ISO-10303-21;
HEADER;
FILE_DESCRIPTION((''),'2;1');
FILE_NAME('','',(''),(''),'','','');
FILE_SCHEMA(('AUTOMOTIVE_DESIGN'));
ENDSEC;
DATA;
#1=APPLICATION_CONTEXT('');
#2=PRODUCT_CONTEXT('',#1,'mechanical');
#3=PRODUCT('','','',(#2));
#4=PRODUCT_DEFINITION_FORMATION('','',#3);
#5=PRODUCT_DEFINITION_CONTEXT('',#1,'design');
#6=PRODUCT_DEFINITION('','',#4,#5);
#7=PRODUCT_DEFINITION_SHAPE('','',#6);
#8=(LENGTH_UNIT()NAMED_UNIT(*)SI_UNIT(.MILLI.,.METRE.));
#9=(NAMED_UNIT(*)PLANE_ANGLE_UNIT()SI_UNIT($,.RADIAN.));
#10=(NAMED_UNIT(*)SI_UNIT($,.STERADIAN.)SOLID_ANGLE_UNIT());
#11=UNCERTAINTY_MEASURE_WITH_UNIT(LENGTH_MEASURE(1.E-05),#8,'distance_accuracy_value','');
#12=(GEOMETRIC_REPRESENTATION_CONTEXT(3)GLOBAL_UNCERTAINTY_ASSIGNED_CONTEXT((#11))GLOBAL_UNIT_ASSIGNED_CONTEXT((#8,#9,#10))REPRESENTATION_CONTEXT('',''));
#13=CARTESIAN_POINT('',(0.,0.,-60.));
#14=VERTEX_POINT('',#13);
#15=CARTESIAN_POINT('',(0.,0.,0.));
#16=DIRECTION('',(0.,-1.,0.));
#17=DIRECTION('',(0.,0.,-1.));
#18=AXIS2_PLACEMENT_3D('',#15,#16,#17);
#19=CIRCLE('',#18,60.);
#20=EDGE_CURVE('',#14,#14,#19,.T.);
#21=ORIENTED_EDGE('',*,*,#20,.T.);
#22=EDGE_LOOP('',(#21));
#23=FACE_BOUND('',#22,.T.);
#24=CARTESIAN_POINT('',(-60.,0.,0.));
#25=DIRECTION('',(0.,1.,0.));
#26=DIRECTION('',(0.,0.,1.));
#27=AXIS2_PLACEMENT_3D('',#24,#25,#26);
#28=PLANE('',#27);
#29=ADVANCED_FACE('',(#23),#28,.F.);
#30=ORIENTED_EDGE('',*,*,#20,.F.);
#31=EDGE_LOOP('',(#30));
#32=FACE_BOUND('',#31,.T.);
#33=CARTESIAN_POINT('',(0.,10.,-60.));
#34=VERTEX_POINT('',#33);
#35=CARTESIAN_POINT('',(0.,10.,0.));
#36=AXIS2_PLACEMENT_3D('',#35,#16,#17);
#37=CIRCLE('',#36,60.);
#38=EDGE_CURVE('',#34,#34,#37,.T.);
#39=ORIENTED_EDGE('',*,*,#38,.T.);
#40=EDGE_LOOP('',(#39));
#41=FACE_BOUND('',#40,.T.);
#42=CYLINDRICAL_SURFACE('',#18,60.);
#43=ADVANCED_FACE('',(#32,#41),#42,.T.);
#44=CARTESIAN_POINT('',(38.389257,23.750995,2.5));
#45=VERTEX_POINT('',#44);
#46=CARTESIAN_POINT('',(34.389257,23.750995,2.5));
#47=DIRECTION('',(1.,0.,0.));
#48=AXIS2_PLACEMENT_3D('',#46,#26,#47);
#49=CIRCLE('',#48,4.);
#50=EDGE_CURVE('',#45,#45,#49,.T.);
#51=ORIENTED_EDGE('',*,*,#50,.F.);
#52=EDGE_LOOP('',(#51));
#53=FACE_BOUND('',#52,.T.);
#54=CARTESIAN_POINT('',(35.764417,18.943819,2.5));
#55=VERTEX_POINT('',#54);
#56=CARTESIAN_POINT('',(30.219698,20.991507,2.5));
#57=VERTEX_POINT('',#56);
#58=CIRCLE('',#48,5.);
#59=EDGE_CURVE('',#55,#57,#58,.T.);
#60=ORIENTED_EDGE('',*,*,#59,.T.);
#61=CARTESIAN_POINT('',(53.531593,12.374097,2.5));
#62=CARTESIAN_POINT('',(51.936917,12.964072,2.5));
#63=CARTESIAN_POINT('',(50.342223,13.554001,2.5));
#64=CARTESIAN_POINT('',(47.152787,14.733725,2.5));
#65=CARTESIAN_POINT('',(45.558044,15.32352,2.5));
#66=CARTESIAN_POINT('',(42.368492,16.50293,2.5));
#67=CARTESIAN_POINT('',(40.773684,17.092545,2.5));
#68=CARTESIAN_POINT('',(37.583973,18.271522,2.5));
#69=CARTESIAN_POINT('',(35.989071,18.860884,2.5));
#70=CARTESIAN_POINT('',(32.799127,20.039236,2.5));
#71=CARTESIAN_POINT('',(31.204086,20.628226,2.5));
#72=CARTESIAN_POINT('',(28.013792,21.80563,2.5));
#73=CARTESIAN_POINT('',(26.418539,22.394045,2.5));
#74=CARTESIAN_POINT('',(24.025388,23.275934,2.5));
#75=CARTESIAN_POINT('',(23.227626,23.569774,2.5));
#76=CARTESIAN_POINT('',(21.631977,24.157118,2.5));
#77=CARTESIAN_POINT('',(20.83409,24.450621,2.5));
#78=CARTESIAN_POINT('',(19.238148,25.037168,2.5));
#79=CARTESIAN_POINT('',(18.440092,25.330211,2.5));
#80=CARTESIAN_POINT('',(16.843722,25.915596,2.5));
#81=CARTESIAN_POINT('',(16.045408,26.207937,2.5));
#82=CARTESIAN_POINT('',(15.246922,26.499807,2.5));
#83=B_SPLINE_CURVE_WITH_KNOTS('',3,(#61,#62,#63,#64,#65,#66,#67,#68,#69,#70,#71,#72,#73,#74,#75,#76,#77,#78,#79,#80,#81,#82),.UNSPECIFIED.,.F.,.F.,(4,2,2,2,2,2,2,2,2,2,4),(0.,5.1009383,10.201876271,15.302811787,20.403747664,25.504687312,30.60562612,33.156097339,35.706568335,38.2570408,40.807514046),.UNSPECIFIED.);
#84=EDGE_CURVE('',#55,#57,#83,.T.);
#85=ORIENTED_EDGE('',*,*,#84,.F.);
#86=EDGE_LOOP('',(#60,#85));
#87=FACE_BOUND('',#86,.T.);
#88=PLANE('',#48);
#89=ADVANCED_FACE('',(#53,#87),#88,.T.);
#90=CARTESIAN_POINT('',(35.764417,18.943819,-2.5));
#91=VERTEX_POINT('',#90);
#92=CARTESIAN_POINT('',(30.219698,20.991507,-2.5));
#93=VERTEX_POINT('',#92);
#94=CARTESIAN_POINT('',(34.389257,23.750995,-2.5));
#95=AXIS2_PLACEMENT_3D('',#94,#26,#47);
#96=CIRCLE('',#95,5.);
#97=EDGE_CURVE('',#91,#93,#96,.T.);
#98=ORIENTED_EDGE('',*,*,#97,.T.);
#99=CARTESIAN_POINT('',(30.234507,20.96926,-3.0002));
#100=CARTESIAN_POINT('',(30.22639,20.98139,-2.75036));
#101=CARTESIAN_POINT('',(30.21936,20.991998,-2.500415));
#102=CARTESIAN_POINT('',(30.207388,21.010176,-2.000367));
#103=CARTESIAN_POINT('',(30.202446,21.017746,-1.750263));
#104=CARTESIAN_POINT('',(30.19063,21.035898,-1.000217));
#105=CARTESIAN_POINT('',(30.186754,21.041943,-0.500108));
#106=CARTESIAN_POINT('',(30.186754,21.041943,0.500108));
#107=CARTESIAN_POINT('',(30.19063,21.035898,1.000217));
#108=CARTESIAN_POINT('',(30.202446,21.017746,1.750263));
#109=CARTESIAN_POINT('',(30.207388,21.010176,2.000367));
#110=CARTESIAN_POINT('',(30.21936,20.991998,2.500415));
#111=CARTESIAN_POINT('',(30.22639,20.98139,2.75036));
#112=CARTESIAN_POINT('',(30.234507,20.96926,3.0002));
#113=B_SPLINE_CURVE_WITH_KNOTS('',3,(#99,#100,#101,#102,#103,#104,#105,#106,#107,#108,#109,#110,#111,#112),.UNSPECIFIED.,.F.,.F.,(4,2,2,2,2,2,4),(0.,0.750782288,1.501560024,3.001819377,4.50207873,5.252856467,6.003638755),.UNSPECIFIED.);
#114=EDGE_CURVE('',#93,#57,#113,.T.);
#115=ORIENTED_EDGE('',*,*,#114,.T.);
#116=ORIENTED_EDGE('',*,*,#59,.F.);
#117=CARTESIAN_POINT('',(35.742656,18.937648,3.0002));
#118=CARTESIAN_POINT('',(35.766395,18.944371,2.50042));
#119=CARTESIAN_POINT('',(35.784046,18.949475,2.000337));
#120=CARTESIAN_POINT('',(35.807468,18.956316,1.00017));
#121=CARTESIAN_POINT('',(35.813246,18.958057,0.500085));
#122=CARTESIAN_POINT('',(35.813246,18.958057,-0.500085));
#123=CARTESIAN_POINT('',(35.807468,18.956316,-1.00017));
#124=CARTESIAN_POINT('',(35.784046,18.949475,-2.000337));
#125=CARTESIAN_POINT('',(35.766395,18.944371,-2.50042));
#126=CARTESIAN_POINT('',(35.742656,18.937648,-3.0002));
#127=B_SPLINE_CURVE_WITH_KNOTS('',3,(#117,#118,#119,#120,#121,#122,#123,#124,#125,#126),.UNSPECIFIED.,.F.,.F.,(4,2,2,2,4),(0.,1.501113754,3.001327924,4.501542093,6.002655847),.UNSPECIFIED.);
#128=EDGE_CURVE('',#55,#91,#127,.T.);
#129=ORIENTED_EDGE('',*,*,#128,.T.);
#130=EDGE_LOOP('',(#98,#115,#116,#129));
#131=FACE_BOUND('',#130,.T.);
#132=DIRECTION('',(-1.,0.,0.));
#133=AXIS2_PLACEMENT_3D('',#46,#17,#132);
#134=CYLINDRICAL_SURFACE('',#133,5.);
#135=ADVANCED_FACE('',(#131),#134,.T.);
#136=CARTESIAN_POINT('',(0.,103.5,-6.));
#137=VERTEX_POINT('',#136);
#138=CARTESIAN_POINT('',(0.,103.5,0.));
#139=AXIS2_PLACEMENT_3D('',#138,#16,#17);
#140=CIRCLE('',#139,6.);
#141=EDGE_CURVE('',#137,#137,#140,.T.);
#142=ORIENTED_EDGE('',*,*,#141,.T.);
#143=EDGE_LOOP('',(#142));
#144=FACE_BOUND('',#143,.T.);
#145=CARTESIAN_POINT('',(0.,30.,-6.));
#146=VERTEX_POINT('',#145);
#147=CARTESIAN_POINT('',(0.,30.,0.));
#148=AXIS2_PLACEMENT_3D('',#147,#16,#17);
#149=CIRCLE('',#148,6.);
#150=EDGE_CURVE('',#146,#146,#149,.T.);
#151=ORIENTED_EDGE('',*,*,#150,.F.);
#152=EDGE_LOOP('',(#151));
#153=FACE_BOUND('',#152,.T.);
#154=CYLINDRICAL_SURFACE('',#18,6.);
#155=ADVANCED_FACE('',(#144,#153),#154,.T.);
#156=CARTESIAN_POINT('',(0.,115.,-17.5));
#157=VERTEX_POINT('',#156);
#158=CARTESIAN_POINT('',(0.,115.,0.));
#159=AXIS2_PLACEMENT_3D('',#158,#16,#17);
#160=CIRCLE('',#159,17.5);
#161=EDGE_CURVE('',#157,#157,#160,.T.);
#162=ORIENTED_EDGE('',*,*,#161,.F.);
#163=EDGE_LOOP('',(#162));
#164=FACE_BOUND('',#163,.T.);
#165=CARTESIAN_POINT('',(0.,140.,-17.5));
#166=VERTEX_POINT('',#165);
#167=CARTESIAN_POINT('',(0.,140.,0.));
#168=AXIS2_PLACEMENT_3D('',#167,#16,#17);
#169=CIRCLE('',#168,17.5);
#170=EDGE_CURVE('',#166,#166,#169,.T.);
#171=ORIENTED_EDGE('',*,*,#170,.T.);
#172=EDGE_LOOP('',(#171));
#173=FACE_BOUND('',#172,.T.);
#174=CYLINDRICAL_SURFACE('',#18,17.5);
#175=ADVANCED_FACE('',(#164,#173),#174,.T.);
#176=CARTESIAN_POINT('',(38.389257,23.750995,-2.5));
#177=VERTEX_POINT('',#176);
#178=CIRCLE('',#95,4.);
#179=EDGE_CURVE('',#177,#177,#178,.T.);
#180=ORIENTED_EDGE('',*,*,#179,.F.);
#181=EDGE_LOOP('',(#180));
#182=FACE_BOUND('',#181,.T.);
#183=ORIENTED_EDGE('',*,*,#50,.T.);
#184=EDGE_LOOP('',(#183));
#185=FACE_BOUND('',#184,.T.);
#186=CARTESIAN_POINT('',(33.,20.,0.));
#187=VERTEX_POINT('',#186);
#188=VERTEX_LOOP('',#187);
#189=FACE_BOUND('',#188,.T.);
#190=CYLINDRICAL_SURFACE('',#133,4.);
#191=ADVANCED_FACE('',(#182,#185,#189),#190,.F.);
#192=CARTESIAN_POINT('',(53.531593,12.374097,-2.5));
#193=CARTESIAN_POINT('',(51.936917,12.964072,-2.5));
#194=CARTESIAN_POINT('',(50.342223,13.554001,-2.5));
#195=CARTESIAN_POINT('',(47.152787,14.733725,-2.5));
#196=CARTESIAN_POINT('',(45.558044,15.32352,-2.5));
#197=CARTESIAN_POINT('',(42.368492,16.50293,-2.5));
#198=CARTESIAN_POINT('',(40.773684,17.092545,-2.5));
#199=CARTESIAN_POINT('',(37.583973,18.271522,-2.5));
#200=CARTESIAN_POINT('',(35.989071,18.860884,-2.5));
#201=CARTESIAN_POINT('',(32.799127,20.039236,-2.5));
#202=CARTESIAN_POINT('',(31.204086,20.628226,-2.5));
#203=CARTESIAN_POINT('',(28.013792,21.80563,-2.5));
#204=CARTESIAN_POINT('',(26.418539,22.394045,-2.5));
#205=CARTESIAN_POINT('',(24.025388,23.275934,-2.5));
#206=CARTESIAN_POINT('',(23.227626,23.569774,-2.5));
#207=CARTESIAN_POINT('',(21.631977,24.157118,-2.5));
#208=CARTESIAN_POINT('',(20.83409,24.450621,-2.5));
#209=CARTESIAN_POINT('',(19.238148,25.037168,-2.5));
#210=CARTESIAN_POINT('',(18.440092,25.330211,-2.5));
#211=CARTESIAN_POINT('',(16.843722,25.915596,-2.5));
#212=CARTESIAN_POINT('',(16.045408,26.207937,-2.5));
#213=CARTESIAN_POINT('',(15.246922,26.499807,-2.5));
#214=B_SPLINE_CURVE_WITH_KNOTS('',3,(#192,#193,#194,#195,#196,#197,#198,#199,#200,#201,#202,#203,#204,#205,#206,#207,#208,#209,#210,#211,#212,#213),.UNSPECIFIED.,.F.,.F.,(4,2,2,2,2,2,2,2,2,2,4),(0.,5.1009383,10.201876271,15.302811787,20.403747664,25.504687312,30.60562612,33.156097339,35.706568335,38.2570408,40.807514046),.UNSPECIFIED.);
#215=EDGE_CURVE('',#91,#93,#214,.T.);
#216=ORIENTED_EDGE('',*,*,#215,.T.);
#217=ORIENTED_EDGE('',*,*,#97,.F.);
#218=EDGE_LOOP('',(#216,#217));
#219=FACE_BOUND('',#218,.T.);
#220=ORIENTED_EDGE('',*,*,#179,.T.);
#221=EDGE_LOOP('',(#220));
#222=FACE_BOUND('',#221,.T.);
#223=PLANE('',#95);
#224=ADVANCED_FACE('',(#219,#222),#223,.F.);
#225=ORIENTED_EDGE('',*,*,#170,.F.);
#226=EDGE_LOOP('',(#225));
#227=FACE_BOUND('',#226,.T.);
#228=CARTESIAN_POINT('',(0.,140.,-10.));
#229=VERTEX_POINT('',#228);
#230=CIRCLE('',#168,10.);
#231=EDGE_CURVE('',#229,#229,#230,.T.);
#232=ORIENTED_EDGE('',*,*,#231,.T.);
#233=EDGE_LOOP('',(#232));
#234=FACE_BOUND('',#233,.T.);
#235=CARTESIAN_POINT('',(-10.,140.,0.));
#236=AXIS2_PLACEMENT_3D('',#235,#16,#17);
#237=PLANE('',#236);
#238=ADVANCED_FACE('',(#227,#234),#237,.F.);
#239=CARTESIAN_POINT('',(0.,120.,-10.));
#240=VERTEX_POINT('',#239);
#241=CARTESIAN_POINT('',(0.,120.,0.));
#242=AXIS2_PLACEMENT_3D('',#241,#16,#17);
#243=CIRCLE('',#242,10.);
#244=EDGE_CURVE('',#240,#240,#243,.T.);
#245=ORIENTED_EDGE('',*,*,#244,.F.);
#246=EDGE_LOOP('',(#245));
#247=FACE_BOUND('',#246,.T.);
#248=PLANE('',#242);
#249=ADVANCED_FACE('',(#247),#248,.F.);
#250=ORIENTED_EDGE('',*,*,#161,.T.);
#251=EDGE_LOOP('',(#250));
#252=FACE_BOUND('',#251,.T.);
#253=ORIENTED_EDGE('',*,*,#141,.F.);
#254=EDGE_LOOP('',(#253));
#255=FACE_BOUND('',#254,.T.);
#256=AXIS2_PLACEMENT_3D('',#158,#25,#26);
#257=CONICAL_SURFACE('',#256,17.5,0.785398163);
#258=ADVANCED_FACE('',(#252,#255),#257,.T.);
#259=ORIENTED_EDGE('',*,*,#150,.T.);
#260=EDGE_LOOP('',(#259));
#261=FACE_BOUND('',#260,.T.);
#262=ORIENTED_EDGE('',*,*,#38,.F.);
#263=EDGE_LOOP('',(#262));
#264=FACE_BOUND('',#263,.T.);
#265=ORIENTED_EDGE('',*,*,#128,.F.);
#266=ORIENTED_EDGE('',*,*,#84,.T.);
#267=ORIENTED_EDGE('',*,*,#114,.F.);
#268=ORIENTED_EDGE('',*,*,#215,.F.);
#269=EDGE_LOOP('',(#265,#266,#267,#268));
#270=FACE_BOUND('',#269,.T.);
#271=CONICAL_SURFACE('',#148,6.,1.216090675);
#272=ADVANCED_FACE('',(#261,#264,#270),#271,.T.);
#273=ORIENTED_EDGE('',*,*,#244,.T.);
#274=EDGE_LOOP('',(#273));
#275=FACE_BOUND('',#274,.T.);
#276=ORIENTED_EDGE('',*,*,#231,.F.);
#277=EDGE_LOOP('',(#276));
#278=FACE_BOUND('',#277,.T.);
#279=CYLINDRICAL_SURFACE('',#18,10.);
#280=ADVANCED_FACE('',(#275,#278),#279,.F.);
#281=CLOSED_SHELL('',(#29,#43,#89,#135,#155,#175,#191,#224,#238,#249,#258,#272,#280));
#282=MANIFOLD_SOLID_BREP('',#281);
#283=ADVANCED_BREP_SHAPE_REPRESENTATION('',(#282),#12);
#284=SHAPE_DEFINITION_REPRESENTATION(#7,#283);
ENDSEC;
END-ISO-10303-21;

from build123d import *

# Parameters (mm, degrees)
SKETCH3_R           = 5
SKETCH3_R_2         = 4
BOSS_EXTRUDE1_DEPTH = 2.5


with BuildPart() as part:
    # Sketch2 → Revolve1 (revolve)
    with BuildSketch(Plane.XY, mode=Mode.PRIVATE) as revolve1_sk:
        Polygon((0, 120), (-10, 120), (-10, 140), (-17.5, 140), (-17.5, 115), (-6, 103.5), (-6, 30), (-60, 10), (-60, 0), (0, 0), align=None)
    revolve(revolve1_sk.sketch.rotate(Axis((0, 0, 0), (0, 1, 0)), 270), axis=Axis((0, 0, 0), (0, 1, 0)))

    # Sketch3 → Boss-Extrude1 (add, symmetric)
    with BuildSketch(Plane.XY):
        with Locations((34.389257423, 23.750995043)):
            Circle(SKETCH3_R)
        with Locations((34.389257423, 23.750995043)):
            Circle(SKETCH3_R_2, mode=Mode.SUBTRACT)
    extrude(amount=BOSS_EXTRUDE1_DEPTH, both=True)


solid = part.part
